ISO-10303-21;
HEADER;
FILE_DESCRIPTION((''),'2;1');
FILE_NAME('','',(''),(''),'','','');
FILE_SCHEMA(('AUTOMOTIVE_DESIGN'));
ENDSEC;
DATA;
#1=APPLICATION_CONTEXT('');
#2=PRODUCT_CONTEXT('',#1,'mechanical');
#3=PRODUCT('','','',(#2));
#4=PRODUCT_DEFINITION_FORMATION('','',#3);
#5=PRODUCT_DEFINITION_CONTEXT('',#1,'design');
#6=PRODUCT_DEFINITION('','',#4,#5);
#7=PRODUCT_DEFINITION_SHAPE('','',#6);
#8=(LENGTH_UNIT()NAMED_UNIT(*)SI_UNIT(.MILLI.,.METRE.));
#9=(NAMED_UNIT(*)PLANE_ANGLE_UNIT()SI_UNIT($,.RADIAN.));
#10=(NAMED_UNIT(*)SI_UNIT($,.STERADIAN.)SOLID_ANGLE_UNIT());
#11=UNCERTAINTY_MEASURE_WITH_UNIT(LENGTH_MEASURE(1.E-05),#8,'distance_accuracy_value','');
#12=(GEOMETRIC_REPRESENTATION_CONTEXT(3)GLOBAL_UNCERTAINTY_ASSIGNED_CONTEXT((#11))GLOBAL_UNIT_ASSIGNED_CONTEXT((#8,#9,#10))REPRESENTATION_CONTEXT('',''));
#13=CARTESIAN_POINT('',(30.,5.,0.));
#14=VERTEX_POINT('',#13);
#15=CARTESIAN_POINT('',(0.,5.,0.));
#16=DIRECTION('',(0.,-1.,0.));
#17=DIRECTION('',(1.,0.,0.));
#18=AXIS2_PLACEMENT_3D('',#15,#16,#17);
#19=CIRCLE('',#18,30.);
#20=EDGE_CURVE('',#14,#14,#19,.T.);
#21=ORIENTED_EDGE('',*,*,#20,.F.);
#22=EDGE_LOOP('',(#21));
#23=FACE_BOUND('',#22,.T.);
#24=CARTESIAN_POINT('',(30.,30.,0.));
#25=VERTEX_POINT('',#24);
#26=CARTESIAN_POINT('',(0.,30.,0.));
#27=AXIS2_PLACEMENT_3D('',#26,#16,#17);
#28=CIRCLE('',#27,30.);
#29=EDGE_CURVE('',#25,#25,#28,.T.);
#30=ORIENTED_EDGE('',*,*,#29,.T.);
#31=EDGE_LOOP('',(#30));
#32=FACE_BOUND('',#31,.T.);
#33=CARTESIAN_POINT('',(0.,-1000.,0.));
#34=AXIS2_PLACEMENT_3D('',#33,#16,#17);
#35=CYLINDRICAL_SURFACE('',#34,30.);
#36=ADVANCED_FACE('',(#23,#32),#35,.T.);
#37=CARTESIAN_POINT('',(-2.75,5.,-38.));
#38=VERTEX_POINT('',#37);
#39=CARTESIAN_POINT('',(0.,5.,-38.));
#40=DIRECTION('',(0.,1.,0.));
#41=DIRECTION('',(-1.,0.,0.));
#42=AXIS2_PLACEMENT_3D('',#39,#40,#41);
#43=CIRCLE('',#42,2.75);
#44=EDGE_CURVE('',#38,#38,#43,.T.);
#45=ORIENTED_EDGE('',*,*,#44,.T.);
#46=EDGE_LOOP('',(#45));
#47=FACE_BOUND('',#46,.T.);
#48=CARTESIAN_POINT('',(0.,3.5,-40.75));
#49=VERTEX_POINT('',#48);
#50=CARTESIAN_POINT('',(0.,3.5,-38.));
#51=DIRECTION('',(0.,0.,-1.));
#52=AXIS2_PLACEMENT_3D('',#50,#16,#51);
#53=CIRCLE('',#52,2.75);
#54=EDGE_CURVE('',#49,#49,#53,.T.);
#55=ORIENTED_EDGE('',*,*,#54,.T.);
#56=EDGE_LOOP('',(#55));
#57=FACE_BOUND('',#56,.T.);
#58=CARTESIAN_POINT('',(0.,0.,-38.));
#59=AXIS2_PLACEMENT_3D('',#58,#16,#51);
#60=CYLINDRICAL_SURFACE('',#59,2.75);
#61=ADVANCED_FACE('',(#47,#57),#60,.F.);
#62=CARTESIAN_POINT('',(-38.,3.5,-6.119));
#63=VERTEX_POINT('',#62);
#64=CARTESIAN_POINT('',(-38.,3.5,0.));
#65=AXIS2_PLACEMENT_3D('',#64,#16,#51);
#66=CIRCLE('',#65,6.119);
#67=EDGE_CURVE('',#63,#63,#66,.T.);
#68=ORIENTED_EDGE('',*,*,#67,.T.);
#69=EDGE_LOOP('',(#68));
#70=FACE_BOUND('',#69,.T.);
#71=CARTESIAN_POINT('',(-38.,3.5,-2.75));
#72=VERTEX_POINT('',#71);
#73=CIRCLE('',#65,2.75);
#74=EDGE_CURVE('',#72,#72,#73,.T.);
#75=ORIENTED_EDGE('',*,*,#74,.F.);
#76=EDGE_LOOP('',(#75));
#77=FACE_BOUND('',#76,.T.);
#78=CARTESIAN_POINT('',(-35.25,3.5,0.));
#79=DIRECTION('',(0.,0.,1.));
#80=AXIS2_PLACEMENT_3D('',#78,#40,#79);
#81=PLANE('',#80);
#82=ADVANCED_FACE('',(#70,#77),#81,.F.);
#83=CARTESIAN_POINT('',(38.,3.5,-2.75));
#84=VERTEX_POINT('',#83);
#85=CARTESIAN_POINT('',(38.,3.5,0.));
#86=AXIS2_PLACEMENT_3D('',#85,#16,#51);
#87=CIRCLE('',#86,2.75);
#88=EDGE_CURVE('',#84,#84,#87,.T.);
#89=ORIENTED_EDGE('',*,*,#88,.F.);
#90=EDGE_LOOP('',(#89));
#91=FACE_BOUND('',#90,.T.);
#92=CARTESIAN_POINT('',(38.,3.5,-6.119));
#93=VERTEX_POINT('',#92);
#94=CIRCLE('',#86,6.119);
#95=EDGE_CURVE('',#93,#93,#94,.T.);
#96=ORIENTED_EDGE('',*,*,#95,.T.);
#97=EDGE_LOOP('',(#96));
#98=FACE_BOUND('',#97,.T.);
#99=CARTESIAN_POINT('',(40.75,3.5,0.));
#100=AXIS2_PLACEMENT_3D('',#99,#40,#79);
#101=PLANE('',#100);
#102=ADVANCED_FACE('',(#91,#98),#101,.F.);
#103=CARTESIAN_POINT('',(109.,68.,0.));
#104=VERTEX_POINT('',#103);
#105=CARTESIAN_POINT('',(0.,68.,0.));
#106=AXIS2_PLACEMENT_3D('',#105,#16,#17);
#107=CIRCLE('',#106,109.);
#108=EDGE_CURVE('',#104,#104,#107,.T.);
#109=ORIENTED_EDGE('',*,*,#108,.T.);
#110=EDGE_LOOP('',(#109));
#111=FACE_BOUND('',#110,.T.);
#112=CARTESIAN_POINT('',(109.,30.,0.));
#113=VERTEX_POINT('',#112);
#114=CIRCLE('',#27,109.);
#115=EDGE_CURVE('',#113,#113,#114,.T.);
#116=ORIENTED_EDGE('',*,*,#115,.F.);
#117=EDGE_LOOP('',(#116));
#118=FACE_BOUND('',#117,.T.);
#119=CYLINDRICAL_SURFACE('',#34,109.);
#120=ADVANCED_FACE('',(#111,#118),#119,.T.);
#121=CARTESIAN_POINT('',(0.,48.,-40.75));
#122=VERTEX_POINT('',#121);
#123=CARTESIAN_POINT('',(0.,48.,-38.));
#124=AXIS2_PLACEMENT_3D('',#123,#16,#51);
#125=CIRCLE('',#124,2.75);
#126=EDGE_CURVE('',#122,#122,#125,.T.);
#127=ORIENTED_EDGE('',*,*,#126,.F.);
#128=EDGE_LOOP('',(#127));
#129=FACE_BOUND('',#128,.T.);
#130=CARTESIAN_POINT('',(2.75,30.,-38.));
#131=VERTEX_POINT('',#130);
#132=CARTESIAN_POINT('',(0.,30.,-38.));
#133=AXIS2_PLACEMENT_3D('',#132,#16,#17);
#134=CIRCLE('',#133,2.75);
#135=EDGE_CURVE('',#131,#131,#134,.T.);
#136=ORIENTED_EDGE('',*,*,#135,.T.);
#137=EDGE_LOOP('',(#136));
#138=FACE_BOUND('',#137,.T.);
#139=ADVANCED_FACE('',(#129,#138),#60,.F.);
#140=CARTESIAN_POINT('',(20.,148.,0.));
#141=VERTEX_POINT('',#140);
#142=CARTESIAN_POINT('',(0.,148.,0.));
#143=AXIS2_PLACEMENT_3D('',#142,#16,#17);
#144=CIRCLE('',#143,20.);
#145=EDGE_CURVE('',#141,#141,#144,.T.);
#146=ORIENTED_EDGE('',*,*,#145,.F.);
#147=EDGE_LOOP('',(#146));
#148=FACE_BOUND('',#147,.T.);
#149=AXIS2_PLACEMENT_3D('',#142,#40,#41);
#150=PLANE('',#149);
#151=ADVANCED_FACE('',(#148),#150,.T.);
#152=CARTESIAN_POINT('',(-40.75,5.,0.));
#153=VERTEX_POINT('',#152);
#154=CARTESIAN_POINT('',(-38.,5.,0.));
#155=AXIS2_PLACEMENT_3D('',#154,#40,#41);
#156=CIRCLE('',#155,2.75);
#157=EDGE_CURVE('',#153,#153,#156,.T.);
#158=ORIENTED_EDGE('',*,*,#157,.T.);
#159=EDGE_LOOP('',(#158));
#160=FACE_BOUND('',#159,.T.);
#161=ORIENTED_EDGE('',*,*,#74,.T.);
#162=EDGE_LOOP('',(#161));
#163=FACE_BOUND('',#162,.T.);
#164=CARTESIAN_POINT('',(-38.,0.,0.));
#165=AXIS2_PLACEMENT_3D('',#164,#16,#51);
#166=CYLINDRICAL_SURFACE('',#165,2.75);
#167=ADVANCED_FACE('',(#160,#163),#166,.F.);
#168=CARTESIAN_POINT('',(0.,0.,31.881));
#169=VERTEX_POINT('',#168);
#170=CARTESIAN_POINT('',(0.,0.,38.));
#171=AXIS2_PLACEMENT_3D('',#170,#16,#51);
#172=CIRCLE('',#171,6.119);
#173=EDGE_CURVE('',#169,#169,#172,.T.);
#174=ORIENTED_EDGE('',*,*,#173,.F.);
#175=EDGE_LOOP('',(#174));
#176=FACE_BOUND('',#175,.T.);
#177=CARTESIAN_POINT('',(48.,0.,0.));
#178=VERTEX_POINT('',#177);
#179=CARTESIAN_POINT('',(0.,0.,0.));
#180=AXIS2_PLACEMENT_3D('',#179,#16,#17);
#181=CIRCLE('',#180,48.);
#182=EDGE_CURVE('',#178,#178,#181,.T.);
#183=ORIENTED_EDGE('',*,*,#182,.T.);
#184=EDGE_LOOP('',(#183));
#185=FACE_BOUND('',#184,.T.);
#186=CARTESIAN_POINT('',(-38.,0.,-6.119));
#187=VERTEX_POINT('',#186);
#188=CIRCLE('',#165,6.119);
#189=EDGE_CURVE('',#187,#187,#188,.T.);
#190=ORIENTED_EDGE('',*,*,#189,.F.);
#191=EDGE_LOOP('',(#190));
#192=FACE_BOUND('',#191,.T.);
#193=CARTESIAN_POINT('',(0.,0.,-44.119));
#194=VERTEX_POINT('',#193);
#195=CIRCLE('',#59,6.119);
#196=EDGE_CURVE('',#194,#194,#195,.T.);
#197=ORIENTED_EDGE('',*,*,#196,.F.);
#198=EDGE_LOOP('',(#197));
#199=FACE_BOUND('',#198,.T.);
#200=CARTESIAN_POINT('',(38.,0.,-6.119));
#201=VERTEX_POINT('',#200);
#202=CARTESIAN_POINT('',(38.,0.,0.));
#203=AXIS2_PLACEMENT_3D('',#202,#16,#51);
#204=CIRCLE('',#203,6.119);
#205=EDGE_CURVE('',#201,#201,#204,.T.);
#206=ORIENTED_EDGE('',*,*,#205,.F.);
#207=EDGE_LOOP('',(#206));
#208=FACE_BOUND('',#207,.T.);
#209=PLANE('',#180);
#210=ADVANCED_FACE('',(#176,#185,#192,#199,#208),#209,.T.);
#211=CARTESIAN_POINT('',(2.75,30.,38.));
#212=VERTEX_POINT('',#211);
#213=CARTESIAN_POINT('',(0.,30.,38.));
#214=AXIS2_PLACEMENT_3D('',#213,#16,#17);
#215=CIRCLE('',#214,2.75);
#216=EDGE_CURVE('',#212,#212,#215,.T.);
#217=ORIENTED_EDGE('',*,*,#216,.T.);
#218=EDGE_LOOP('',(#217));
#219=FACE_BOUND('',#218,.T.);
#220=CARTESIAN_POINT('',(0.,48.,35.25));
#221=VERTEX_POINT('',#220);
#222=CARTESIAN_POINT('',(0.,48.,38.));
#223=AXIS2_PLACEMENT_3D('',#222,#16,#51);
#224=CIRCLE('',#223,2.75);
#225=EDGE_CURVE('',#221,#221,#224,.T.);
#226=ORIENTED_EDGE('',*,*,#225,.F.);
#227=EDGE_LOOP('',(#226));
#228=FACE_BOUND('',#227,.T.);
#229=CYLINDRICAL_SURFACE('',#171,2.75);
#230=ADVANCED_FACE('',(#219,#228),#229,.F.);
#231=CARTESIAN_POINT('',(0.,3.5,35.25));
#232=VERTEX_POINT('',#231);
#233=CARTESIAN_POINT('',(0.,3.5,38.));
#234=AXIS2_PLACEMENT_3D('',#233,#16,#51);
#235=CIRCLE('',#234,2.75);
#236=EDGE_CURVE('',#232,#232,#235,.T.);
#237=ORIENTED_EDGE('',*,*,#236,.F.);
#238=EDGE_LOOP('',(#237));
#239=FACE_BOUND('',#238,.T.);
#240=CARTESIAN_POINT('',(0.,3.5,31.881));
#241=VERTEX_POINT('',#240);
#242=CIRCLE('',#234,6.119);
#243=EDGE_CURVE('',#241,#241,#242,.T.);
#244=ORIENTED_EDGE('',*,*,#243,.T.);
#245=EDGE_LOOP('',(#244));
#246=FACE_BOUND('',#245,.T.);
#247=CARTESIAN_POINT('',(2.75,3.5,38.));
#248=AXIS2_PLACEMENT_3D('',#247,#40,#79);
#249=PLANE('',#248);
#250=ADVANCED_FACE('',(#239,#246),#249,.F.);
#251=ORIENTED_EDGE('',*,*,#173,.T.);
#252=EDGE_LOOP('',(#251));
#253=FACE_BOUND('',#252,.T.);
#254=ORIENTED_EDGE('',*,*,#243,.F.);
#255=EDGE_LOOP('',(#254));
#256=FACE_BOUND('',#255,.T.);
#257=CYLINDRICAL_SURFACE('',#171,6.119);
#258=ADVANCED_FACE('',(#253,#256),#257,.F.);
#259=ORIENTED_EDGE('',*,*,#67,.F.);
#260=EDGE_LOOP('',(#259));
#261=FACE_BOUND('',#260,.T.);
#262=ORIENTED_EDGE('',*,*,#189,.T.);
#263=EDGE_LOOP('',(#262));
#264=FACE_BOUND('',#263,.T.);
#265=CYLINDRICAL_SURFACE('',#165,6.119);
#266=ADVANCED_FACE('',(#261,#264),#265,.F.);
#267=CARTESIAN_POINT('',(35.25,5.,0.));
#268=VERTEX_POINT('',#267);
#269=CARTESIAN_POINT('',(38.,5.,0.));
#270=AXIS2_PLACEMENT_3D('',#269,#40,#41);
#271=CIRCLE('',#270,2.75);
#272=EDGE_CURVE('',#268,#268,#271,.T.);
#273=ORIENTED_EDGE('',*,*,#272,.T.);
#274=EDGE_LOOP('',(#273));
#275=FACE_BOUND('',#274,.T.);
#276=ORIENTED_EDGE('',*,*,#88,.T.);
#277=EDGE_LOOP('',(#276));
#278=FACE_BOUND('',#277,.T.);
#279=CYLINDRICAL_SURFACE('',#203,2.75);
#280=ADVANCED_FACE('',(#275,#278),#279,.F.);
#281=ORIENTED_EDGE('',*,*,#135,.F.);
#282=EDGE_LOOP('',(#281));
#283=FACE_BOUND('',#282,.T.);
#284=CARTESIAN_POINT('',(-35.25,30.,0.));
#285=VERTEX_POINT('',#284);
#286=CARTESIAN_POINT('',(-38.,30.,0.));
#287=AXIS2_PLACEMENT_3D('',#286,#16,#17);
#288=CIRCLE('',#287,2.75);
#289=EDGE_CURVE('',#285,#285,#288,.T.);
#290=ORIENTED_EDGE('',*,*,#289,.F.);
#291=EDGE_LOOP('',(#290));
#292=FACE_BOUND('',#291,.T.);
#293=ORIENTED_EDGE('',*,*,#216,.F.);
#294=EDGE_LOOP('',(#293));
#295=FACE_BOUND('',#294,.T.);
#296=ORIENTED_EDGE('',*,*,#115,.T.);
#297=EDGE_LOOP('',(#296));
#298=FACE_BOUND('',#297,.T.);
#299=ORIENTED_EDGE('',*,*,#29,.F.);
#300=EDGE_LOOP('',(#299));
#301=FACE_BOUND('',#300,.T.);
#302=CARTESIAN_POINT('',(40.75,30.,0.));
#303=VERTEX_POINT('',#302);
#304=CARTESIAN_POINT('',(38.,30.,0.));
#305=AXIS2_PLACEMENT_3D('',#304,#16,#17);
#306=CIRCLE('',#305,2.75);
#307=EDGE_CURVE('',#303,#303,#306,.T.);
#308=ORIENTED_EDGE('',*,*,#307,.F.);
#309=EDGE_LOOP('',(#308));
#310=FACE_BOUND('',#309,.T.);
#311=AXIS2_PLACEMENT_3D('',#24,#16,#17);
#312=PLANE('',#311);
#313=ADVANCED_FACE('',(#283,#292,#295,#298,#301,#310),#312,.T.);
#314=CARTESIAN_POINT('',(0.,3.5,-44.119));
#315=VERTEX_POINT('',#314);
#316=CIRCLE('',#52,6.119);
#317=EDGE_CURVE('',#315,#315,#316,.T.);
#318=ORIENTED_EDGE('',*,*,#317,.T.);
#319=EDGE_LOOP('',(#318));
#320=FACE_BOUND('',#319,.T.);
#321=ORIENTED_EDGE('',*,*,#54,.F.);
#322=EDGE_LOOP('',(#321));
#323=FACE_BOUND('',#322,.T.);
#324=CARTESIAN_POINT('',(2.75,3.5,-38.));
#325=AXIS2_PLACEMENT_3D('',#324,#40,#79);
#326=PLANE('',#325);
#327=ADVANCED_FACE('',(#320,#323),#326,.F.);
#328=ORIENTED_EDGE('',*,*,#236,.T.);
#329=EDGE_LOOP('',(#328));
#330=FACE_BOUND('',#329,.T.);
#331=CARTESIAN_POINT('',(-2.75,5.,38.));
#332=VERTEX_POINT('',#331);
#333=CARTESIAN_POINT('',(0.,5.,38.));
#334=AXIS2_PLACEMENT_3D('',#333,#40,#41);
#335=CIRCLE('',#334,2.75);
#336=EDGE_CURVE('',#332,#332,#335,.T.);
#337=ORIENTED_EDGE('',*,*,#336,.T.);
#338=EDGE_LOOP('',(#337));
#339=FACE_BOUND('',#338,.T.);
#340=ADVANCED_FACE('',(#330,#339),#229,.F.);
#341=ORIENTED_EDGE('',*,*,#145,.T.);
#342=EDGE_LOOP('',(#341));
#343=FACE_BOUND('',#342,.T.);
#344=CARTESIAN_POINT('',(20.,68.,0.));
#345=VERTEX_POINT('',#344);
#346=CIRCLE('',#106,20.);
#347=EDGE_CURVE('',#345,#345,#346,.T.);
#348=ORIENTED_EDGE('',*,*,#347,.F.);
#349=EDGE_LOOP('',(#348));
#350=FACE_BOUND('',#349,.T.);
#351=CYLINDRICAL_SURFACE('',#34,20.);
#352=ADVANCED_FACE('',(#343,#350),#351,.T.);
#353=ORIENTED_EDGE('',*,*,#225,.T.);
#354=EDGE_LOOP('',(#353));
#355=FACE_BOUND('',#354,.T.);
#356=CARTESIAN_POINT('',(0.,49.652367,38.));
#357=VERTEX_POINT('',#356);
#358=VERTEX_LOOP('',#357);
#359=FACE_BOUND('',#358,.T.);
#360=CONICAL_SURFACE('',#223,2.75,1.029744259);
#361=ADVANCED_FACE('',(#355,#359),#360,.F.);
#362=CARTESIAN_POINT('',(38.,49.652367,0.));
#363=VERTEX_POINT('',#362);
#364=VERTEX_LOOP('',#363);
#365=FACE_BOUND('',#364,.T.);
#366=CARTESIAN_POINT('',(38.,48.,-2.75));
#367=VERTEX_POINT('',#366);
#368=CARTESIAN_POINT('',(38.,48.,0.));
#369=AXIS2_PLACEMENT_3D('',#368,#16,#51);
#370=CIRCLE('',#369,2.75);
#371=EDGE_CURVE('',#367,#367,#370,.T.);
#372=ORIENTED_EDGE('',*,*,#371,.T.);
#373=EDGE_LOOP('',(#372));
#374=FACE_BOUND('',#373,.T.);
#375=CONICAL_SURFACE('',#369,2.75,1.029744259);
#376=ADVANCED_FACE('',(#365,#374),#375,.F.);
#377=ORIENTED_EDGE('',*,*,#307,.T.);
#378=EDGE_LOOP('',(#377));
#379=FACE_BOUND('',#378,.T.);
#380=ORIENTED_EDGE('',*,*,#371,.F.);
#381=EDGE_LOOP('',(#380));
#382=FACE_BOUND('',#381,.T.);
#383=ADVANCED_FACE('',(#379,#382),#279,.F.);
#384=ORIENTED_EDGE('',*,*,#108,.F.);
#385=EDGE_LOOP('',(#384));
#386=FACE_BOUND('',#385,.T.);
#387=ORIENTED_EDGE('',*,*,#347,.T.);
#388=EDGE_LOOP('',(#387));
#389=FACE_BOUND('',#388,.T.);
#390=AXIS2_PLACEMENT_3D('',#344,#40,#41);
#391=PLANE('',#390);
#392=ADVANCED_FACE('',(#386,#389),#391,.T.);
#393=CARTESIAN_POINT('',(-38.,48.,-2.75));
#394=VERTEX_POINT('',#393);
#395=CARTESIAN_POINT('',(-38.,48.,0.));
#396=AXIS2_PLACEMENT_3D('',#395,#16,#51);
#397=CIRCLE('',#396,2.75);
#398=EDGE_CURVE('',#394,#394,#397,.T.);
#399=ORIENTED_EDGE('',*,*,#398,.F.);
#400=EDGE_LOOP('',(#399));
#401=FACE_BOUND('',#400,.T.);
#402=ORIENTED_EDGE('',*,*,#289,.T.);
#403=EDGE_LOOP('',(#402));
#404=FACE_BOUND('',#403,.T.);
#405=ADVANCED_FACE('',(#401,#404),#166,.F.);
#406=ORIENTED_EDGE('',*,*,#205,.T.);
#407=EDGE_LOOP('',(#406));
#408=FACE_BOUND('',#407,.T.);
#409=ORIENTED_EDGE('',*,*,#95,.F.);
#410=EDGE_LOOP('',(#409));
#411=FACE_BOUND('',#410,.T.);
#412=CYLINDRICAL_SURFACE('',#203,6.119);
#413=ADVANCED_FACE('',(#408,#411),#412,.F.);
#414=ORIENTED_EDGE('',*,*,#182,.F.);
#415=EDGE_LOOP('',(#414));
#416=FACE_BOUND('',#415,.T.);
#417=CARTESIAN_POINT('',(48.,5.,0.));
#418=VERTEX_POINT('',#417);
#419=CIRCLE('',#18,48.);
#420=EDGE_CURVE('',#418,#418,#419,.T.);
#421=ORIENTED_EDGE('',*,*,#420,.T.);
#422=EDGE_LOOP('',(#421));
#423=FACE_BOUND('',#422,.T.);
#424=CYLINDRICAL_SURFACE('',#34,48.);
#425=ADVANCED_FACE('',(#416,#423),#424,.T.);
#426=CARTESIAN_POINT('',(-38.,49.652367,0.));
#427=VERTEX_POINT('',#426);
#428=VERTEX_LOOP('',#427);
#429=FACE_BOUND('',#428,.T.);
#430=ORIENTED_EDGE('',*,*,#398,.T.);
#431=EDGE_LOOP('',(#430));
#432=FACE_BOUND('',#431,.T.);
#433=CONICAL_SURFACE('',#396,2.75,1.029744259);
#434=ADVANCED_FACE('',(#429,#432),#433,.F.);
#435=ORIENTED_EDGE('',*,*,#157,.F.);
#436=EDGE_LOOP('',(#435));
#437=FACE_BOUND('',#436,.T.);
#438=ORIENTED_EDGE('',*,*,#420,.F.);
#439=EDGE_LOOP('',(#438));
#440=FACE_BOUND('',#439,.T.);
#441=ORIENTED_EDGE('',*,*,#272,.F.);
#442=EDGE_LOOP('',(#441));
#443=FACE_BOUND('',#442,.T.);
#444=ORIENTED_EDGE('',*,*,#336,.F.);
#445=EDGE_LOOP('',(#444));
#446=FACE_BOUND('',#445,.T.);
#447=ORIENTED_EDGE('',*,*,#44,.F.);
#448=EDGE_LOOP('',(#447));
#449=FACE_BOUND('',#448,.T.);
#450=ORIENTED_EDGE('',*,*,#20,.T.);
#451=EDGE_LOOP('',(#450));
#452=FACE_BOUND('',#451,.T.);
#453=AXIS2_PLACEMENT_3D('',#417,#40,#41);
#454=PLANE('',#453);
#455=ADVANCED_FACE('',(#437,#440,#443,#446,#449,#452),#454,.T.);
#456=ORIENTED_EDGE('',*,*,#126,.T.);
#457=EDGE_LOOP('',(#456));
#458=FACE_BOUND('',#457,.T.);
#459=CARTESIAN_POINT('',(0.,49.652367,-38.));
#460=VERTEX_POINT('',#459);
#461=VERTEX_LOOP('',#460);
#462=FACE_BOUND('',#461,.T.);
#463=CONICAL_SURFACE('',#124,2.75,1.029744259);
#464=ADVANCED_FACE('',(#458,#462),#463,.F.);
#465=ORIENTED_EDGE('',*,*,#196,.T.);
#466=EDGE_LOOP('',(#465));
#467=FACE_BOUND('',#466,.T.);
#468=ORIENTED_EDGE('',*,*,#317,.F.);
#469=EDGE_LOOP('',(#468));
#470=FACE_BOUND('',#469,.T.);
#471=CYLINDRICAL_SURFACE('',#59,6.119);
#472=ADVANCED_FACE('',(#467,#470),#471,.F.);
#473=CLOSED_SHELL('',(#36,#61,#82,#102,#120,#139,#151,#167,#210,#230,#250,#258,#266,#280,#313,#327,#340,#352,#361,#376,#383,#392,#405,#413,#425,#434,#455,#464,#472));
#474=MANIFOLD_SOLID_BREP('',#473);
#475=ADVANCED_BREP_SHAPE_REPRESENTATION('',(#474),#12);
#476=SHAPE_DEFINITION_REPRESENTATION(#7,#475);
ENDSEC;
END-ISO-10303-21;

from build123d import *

# Parameters (mm, degrees)
FORO_LAMATO_PER_BULLONE_M5_A_TESTA_ESAGO_D           = 5.5
FORO_LAMATO_PER_BULLONE_M5_A_TESTA_ESAGO_DEPTH       = 48
FORO_LAMATO_PER_BULLONE_M5_A_TESTA_ESAGO_CBORE_D     = 12.238
FORO_LAMATO_PER_BULLONE_M5_A_TESTA_ESAGO_CBORE_DEPTH = 3.5
FORO_LAMATO_PER_BULLONE_M5_A_TESTA_ESAGO_TIP         = 1.652366702


with BuildPart() as part:
    # Schizzo1 → Rivoluzione1 (revolve)
    with BuildSketch(Plane.XY):
        Polygon((20, 68), (109, 68), (109, 30), (30, 30), (30, 5), (48, 5), (48, 0), (0, 0), (0, 148), (20, 148), align=None)
    revolve(axis=Axis((0, -1000, 0), (0, 1, 0)))

    # Foro lamato per Bullone M5 a testa esagonale-1
    with Locations(Plane(origin=(0, 0, 0), x_dir=(-1, 0, 0), z_dir=(0, -1, 0))):
        with Locations((0, 38), (-38, 0), (0, -38), (38, 0)):
            CounterBoreHole(FORO_LAMATO_PER_BULLONE_M5_A_TESTA_ESAGO_D / 2, FORO_LAMATO_PER_BULLONE_M5_A_TESTA_ESAGO_CBORE_D / 2, FORO_LAMATO_PER_BULLONE_M5_A_TESTA_ESAGO_CBORE_DEPTH, depth=FORO_LAMATO_PER_BULLONE_M5_A_TESTA_ESAGO_DEPTH)
            with Locations((0, 0, -(FORO_LAMATO_PER_BULLONE_M5_A_TESTA_ESAGO_DEPTH + FORO_LAMATO_PER_BULLONE_M5_A_TESTA_ESAGO_TIP / 2))):  # 118° drill point
                Cone(0, FORO_LAMATO_PER_BULLONE_M5_A_TESTA_ESAGO_D / 2, FORO_LAMATO_PER_BULLONE_M5_A_TESTA_ESAGO_TIP, mode=Mode.SUBTRACT)


solid = part.part
